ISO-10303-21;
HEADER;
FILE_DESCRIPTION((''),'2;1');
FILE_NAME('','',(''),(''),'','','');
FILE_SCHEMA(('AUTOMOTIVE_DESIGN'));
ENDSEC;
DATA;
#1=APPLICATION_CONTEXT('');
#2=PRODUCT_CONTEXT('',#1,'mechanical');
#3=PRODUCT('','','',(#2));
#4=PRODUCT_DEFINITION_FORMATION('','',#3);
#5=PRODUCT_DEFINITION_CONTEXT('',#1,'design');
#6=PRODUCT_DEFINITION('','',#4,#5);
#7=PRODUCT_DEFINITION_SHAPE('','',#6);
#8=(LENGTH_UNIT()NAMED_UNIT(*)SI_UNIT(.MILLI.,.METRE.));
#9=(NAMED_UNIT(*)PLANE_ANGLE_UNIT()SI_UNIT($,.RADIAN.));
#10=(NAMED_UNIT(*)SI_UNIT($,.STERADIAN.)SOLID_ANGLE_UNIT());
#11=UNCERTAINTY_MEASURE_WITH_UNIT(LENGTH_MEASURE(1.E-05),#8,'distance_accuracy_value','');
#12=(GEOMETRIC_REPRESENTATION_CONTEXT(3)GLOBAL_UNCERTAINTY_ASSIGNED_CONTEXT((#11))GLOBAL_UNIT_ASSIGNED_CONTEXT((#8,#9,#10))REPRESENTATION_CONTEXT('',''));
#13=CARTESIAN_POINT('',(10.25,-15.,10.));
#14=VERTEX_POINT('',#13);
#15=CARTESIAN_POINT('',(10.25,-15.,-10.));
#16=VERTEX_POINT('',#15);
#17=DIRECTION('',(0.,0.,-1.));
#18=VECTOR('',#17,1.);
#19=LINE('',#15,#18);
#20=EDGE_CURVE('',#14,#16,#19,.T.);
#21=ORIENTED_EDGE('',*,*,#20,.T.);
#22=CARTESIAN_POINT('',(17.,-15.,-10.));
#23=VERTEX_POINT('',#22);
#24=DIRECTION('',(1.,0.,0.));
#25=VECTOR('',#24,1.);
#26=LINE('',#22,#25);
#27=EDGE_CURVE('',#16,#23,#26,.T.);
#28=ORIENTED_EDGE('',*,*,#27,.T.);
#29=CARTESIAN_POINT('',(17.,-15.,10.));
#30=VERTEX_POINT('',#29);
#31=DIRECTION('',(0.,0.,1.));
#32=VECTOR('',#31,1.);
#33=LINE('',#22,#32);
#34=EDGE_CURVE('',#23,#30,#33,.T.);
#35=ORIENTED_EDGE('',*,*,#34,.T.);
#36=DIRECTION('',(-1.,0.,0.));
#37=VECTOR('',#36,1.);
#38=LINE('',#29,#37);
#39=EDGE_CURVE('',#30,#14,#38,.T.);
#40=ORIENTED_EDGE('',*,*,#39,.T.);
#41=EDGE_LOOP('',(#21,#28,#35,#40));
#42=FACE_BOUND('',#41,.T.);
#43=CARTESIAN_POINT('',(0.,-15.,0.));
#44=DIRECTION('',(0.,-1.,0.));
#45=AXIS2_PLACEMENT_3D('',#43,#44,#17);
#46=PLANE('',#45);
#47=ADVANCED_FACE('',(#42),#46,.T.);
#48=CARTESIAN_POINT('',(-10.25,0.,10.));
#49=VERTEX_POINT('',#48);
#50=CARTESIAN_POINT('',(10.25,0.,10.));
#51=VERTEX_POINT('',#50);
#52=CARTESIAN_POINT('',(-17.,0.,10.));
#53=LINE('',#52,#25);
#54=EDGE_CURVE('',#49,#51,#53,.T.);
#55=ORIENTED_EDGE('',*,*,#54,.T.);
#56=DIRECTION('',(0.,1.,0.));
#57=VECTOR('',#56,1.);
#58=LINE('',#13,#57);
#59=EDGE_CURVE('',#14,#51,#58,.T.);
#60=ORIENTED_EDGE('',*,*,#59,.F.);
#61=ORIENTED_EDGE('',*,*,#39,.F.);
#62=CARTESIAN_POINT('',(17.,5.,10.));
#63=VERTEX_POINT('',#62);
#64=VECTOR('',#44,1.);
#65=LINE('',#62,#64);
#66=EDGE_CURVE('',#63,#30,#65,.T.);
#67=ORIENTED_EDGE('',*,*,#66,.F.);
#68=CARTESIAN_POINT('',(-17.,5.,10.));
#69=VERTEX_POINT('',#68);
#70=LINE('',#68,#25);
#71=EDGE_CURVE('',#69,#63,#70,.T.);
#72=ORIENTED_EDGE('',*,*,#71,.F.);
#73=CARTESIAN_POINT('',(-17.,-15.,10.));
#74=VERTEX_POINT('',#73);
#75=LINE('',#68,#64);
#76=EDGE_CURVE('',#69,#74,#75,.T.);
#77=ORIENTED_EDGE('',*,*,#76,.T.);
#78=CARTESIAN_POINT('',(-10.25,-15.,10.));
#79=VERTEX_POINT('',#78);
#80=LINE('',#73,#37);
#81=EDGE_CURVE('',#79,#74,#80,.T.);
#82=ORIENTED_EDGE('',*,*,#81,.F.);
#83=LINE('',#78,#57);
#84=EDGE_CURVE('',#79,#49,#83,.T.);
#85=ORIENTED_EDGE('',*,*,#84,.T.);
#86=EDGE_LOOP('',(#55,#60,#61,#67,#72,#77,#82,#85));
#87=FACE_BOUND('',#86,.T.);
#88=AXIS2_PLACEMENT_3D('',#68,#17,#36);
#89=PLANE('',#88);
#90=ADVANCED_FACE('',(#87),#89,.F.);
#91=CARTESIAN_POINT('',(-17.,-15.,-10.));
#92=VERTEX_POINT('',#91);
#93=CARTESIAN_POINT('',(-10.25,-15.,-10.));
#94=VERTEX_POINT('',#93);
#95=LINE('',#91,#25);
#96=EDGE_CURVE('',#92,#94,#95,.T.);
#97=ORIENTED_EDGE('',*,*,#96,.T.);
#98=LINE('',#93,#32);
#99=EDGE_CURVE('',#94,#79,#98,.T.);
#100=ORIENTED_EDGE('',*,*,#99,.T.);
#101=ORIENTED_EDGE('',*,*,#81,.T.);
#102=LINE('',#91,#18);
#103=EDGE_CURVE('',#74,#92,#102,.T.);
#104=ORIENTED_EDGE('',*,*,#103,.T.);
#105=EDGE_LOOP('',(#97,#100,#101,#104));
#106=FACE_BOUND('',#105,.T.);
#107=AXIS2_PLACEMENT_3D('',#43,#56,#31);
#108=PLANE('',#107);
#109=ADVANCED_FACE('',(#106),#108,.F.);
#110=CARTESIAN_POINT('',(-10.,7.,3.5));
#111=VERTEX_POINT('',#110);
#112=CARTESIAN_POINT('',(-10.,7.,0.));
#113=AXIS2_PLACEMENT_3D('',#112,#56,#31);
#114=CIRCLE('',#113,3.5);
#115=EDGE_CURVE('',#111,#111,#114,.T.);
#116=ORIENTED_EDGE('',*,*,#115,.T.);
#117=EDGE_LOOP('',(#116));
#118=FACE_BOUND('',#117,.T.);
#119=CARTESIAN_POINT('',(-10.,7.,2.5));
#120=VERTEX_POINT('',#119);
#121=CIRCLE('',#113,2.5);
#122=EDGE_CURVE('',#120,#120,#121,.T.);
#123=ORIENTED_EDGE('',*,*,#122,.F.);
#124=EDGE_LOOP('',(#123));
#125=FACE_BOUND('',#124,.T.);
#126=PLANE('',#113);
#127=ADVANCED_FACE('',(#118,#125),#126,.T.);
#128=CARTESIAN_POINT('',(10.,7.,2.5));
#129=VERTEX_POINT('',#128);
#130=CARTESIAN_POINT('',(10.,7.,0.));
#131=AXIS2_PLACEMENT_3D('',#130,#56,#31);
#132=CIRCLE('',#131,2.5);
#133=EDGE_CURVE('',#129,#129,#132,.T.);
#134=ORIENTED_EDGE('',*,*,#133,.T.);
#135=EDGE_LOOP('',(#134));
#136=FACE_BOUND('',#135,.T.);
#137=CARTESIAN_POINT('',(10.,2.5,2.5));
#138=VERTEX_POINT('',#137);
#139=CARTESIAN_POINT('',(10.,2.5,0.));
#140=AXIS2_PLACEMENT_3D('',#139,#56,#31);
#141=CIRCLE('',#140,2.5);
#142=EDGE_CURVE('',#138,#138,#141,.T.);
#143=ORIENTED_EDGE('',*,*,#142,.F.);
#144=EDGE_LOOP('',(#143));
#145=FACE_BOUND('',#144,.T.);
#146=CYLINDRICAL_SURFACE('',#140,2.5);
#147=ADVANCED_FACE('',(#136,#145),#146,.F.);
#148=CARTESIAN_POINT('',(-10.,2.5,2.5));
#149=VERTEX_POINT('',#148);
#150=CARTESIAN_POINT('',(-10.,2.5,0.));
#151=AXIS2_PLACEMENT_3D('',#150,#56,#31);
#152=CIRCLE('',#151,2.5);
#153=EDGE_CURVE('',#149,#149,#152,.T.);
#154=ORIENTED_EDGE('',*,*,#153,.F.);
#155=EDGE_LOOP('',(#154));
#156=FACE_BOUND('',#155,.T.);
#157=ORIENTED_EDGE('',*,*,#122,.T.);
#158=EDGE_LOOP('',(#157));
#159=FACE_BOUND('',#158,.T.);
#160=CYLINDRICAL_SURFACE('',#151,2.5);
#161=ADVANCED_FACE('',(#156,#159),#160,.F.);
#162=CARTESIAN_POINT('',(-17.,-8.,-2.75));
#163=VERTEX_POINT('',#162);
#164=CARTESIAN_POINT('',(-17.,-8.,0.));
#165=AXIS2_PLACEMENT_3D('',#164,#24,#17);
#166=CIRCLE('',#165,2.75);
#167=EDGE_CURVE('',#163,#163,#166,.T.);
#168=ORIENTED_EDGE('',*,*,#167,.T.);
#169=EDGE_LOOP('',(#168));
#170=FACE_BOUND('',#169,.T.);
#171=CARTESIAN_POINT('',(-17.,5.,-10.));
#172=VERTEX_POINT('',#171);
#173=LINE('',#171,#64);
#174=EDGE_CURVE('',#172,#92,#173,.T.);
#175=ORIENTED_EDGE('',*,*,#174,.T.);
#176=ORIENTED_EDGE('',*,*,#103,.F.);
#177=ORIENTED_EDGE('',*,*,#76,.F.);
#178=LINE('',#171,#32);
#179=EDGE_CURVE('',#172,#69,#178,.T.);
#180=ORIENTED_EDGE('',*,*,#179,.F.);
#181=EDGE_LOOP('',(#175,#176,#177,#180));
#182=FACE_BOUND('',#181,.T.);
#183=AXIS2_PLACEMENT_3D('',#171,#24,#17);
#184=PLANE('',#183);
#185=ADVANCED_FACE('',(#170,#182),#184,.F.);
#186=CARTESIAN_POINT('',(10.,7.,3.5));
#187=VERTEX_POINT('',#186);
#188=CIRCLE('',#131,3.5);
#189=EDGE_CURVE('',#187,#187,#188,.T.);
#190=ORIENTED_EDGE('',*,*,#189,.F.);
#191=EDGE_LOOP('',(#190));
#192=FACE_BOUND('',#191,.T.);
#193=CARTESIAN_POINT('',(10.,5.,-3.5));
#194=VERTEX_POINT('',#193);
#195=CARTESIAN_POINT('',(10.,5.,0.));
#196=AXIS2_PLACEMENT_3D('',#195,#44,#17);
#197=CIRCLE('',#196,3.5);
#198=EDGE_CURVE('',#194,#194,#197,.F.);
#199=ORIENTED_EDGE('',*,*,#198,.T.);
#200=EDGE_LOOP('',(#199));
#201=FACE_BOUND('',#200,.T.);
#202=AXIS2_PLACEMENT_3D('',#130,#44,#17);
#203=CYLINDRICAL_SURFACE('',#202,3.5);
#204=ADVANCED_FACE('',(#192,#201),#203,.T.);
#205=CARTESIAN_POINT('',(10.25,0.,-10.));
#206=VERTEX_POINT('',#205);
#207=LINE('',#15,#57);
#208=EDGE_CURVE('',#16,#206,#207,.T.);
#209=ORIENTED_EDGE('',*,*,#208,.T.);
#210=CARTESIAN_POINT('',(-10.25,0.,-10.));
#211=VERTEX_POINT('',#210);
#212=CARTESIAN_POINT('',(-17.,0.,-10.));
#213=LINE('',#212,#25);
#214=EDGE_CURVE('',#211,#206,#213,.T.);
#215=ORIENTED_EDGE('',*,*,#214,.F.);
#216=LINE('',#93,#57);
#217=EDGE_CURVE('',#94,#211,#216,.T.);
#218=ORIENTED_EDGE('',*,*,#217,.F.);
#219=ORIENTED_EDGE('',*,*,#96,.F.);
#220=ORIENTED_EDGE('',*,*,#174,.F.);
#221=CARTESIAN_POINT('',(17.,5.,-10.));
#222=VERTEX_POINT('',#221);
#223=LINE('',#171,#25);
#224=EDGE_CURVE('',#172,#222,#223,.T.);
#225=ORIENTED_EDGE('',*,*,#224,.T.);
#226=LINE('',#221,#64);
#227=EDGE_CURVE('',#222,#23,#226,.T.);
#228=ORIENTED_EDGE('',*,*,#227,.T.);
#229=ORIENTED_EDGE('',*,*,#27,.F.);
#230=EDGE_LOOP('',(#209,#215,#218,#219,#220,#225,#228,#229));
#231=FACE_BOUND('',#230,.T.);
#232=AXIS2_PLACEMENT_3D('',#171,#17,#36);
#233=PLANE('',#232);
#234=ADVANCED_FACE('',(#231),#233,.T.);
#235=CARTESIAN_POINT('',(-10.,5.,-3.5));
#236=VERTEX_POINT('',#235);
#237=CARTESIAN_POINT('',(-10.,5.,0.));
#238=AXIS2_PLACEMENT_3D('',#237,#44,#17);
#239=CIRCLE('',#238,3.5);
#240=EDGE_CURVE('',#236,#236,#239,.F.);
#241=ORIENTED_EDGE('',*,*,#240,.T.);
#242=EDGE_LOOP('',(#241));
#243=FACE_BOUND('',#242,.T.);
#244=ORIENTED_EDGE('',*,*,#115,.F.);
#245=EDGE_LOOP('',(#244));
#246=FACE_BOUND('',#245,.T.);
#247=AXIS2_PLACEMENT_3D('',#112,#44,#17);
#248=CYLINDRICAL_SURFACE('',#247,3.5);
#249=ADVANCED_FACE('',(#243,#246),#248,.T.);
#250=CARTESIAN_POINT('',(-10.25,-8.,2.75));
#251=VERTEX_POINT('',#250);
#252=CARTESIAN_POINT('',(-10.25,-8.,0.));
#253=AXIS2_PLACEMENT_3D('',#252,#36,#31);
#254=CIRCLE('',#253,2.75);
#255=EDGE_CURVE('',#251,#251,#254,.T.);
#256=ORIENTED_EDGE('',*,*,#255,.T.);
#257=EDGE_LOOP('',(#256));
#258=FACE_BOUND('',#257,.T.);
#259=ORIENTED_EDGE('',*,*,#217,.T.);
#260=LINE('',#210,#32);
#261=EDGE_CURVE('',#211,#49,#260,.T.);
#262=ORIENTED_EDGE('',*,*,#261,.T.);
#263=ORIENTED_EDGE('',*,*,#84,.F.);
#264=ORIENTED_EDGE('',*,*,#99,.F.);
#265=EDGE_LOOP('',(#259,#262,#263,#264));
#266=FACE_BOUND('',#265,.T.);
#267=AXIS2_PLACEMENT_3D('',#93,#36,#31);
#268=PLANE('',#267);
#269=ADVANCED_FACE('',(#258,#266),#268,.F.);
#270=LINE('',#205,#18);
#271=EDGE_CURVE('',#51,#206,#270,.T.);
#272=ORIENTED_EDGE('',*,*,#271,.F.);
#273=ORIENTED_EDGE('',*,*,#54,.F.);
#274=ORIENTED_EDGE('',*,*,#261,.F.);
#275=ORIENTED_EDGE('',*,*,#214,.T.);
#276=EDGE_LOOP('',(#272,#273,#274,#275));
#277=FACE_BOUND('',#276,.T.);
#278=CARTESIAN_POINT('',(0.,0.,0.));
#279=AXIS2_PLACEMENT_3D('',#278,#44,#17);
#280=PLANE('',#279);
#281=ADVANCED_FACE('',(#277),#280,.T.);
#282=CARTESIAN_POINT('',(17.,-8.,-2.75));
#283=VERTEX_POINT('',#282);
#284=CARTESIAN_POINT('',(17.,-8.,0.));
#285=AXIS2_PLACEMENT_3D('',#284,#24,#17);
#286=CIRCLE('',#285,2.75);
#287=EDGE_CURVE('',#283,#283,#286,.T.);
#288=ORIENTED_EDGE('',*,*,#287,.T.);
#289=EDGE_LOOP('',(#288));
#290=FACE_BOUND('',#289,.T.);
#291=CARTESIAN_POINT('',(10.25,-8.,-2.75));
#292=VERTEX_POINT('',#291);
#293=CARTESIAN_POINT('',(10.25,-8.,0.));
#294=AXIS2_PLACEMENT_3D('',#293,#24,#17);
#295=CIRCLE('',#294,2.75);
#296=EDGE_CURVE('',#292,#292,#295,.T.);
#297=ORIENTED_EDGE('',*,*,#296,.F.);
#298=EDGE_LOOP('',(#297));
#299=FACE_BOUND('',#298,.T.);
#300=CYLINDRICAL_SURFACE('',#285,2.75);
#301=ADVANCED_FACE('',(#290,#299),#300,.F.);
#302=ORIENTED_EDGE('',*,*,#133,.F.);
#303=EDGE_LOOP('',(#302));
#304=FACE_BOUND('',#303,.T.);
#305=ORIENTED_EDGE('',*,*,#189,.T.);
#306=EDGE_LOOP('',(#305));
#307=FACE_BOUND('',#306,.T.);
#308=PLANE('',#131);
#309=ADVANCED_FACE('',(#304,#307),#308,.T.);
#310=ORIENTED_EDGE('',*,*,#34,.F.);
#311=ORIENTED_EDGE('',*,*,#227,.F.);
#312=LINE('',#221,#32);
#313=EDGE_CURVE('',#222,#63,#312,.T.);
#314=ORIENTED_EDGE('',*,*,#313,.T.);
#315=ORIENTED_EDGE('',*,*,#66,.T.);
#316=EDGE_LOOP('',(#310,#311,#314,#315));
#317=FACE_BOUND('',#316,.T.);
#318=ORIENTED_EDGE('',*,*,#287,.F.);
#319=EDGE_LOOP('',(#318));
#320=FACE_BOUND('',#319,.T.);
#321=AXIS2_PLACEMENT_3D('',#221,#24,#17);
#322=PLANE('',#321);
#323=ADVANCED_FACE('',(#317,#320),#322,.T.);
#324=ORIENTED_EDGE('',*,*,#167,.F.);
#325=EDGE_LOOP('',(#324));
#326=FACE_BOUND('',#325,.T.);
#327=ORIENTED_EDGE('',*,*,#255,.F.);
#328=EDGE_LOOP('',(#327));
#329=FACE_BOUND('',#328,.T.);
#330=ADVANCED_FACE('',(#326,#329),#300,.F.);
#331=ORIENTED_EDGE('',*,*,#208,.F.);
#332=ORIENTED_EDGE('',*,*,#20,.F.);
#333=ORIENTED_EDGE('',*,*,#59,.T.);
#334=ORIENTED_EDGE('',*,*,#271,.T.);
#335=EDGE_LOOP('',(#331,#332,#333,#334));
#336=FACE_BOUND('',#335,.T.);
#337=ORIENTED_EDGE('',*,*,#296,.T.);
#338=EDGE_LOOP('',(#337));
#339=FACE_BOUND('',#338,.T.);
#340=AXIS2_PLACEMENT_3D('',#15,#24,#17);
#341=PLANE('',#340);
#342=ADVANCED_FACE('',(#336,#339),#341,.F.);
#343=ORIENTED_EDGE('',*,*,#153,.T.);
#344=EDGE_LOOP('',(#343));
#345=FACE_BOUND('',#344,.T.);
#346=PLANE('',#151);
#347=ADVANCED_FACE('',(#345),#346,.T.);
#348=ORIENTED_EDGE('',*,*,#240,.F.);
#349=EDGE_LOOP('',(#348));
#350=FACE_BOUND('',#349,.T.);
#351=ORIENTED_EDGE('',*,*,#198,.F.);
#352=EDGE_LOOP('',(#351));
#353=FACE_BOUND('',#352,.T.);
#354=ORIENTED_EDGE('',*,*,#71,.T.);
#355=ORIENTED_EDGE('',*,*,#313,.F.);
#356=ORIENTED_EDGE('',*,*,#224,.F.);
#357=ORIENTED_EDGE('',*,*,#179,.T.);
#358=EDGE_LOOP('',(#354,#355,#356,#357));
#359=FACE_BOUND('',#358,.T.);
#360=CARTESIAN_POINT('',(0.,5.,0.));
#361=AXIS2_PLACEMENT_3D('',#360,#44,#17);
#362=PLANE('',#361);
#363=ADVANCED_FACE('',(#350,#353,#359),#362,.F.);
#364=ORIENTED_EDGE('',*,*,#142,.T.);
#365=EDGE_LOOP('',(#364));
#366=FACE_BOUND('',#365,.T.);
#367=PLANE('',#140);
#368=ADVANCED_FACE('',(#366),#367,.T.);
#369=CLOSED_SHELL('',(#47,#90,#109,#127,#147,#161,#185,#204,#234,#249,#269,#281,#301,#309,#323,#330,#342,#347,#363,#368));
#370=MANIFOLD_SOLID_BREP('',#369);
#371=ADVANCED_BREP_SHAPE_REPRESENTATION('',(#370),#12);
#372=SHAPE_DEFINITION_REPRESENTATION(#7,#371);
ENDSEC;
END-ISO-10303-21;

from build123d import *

# Parameters (mm, degrees)
SKETCH1_W            = 34
SKETCH1_H            = 20
BOSS_EXTRUDE1_DEPTH  = 5
SKETCH2_R            = 3.5
BOSS_EXTRUDE2_DEPTH  = 2
SKETCH3_R            = 2.5
CUT_EXTRUDE1_DEPTH   = 4.5
SKETCH4_W            = 6.75
SKETCH4_H            = 20
BOSS_EXTRUDE3_DEPTH  = 15
M5_CLEARANCE_HOLE1_D = 5.5


with BuildPart() as part:
    # Sketch1 → Boss-Extrude1 (new body)
    with BuildSketch(Plane(origin=(0, 0, 0), x_dir=(1, 0, 0), z_dir=(0, 1, 0))):
        Rectangle(SKETCH1_W, SKETCH1_H)
    extrude(amount=BOSS_EXTRUDE1_DEPTH)

    # Sketch2 → Boss-Extrude2 (add)
    with BuildSketch(Plane(origin=(0, 5, 0), x_dir=(1, 0, 0), z_dir=(0, 1, 0))):
        with Locations(Location((-10, 0, 0), (0, 0, 90))):
            Circle(SKETCH2_R)
        with Locations(Location((10, 0, 0), (0, 0, 90))):
            Circle(SKETCH2_R)
    extrude(amount=BOSS_EXTRUDE2_DEPTH)

    # Sketch3 → Cut-Extrude1 (cut)
    with BuildSketch(Plane(origin=(0, 7, 0), x_dir=(1, 0, 0), z_dir=(0, 1, 0))):
        with Locations(Location((-10, 0, 0), (0, 0, 270))):
            Circle(SKETCH3_R)
        with Locations(Location((10, 0, 0), (0, 0, 270))):
            Circle(SKETCH3_R)
    extrude(amount=-CUT_EXTRUDE1_DEPTH, mode=Mode.SUBTRACT)

    # Sketch4 → Boss-Extrude3 (add)
    with BuildSketch(Plane.XZ):
        with Locations((13.625, 0)):
            Rectangle(SKETCH4_W, SKETCH4_H)
        with Locations((-13.625, 0)):
            Rectangle(SKETCH4_W, SKETCH4_H)
    extrude(amount=BOSS_EXTRUDE3_DEPTH)

    # M5 Clearance Hole1 (through all)
    with Locations(Plane(origin=(17, -8, 0), x_dir=(0, 0, 1), z_dir=(1, 0, 0))):
        with Locations((0, 0)):
            Hole(M5_CLEARANCE_HOLE1_D / 2)


solid = part.part
